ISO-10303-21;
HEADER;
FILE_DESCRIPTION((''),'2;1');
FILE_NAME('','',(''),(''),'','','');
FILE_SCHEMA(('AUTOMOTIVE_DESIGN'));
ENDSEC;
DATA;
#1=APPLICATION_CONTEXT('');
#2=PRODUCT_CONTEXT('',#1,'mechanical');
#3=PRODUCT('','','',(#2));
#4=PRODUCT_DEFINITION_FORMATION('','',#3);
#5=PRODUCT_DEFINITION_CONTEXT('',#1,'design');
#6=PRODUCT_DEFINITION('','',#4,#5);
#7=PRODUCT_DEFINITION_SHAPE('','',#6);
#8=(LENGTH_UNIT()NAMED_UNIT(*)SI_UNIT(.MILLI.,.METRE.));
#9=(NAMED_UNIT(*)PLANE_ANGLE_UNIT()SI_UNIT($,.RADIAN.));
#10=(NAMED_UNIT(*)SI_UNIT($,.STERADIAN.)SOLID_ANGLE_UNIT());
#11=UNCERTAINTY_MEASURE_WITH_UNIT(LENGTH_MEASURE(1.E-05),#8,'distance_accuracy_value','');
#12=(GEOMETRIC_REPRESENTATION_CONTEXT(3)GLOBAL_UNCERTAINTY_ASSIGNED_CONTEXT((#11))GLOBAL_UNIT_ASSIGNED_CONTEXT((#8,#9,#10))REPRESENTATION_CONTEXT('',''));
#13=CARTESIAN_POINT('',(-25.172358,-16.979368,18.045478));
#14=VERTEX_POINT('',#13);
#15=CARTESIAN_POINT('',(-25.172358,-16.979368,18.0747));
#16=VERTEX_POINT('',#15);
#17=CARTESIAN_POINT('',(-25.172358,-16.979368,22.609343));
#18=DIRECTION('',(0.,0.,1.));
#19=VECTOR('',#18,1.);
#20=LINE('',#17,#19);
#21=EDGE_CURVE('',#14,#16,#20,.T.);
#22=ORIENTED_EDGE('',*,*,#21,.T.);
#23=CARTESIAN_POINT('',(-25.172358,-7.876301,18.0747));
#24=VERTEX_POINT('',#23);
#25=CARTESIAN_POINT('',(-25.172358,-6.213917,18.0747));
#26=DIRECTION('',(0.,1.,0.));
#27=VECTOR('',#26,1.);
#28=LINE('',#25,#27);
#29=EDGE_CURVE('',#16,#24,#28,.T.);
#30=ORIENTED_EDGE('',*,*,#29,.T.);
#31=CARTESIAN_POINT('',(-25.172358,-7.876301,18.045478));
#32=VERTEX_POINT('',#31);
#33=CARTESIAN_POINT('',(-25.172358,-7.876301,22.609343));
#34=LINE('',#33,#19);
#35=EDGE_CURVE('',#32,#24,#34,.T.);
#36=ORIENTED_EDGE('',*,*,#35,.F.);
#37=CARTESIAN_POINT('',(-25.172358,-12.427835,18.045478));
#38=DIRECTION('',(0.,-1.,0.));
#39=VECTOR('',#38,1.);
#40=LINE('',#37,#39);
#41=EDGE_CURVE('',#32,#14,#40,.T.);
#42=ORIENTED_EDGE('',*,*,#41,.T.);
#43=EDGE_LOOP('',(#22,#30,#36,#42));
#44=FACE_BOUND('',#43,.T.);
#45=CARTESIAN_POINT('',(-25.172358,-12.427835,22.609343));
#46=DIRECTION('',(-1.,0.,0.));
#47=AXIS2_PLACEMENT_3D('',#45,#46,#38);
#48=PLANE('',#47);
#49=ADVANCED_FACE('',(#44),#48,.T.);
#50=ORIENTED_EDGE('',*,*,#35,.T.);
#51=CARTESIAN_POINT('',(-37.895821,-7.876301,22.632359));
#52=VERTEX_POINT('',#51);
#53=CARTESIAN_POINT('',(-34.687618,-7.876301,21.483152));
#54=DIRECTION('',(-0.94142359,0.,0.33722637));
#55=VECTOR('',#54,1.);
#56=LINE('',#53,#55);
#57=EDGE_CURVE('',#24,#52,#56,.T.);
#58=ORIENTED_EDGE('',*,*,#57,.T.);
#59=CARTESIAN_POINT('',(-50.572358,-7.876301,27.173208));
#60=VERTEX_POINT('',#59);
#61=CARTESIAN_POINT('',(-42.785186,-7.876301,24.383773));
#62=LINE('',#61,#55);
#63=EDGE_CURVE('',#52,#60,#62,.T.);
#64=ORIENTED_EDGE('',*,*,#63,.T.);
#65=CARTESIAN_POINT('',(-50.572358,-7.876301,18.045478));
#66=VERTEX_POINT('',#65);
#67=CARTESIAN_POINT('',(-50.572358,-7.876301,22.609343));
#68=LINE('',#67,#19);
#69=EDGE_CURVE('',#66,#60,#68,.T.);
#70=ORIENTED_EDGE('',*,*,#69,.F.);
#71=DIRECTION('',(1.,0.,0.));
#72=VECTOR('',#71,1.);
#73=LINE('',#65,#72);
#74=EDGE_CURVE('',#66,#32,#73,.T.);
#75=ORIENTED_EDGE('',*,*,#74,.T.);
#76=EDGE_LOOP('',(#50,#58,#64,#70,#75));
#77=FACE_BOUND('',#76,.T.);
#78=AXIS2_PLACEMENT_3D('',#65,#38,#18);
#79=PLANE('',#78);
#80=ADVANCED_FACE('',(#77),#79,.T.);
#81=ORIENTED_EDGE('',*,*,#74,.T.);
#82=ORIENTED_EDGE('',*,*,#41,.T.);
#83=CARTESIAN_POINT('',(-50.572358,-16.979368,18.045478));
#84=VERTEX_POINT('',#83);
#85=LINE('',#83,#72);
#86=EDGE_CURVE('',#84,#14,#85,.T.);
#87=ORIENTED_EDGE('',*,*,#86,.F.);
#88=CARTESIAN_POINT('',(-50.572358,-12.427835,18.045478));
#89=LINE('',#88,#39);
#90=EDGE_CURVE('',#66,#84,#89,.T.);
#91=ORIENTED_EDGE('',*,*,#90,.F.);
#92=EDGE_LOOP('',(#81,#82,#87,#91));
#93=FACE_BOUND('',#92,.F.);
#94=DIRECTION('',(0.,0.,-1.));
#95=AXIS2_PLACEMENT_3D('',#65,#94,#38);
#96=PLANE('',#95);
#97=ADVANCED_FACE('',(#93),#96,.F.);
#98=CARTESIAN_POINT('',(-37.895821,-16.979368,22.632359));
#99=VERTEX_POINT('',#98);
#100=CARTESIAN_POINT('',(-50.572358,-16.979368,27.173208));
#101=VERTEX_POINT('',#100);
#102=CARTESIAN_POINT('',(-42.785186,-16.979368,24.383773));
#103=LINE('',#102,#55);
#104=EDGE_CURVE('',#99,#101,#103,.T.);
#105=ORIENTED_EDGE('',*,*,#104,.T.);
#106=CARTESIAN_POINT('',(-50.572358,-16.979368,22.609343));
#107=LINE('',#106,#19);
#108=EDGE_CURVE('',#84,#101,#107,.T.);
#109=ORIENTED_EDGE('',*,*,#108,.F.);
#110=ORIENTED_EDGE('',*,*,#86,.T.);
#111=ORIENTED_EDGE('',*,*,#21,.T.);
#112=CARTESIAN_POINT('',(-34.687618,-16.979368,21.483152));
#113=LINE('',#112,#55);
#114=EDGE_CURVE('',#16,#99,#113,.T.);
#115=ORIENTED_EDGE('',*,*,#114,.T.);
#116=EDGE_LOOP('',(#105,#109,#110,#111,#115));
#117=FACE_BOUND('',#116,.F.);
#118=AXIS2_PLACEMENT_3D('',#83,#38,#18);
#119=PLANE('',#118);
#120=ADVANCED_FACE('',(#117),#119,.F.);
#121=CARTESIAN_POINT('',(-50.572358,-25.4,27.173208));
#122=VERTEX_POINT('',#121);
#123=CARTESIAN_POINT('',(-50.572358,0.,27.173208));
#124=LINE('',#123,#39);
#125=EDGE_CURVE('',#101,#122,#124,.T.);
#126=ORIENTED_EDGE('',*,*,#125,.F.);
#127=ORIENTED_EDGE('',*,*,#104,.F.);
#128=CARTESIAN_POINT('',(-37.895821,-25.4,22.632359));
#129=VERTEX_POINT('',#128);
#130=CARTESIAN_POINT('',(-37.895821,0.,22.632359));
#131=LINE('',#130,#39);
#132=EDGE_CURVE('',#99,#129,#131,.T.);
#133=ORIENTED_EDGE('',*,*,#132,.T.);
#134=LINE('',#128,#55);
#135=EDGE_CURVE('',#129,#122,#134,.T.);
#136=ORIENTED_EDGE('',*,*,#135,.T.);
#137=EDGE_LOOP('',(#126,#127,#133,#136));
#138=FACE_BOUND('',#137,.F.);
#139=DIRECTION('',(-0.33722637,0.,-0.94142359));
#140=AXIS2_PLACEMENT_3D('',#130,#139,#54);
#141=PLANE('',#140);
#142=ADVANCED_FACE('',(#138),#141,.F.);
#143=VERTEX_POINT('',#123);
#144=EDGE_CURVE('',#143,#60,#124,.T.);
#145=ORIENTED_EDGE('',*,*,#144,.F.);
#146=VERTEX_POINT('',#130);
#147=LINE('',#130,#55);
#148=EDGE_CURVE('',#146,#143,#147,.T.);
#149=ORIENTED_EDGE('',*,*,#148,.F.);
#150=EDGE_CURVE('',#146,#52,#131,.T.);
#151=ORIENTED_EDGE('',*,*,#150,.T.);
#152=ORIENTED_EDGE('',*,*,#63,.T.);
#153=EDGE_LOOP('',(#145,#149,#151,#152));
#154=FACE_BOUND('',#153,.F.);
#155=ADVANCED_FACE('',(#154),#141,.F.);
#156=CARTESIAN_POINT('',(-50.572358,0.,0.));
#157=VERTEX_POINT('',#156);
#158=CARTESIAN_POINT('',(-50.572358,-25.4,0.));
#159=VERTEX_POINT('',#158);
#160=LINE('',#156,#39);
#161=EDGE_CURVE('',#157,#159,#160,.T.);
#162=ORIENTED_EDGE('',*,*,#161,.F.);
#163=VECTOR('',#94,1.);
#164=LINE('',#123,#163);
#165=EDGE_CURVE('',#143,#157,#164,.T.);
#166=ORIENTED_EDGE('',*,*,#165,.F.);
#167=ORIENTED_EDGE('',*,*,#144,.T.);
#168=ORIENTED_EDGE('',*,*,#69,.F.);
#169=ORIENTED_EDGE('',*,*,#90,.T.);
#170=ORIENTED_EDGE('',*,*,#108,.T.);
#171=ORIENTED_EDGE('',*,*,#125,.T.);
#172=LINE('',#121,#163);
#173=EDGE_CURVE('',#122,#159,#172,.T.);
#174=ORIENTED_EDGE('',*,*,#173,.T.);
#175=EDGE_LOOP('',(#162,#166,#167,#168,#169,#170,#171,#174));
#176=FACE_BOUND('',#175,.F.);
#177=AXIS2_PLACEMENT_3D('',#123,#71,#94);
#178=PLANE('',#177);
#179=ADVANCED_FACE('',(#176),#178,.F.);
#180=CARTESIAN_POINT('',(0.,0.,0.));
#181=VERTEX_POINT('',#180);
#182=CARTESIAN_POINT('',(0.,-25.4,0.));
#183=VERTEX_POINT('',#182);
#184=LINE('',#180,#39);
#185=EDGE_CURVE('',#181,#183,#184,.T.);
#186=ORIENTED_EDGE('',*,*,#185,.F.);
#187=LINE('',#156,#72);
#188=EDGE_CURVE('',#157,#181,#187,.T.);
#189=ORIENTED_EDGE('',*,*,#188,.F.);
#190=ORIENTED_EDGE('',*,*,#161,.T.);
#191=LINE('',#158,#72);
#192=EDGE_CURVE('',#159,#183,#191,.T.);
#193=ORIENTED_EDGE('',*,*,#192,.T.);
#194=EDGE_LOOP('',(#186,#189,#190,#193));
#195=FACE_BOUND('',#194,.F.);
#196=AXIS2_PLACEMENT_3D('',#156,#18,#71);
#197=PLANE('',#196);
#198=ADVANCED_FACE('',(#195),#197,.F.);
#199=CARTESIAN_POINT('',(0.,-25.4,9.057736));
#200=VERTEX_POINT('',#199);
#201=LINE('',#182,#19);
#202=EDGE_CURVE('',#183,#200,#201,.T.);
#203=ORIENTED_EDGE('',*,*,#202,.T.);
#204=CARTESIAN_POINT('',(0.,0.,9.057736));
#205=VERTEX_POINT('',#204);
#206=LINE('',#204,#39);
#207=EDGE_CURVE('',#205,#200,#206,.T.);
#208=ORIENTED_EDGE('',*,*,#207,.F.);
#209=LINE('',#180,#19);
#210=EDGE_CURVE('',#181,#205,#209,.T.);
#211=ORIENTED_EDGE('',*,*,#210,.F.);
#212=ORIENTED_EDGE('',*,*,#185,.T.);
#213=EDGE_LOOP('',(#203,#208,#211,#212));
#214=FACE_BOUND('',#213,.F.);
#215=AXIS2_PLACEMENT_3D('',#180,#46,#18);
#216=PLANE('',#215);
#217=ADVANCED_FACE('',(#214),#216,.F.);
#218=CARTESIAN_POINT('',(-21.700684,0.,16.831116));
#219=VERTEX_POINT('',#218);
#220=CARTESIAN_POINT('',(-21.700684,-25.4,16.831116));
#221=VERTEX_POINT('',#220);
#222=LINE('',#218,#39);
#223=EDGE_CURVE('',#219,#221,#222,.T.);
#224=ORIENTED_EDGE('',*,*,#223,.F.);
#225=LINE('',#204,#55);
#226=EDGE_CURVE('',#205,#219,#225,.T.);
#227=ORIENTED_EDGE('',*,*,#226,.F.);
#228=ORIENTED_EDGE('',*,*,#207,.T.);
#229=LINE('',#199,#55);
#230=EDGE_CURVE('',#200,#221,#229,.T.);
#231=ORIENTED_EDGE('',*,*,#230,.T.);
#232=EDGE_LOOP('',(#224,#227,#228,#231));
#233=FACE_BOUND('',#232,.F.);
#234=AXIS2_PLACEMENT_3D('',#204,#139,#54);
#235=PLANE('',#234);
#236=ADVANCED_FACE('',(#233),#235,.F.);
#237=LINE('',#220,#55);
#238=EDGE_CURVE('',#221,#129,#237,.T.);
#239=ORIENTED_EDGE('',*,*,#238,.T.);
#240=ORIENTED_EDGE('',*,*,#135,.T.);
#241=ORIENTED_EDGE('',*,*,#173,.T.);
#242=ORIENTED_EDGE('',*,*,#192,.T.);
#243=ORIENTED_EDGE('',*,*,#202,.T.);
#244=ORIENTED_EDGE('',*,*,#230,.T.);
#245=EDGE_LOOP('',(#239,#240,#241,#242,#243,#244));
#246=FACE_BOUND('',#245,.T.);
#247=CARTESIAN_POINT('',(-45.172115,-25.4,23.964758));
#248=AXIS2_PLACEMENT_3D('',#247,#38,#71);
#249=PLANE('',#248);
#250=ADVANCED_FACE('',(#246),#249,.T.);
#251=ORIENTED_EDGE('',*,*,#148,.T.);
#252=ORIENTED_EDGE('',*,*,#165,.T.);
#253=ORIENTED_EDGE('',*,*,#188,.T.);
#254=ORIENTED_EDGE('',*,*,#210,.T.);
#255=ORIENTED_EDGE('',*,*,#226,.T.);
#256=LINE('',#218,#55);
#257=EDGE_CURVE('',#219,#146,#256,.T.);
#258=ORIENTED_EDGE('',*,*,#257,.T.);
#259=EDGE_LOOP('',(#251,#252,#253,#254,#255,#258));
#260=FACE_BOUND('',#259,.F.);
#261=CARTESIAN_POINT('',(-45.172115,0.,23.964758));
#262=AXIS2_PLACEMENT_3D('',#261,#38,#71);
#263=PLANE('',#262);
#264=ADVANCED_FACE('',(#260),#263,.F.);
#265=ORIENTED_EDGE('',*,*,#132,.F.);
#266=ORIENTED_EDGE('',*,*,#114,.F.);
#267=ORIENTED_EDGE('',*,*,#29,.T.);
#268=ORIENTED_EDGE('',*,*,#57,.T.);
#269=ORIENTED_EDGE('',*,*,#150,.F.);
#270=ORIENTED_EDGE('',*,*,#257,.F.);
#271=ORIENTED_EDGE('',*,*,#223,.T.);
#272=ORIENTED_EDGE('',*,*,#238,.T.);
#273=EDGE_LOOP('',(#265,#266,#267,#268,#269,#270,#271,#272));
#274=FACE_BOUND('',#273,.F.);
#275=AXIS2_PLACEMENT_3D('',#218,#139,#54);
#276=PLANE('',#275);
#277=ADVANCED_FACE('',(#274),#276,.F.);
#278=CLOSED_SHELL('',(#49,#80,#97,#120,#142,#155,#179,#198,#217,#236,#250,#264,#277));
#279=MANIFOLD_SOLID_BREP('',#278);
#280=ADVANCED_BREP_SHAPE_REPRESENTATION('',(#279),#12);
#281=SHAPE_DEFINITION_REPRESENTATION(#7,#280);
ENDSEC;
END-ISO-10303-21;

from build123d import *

# Parameters (mm, degrees)
F1_DEPTH = 25.4
F2_W     = 9.1030672193
F2_H     = 9.1277305037
F3_DEPTH = 25.4


with BuildPart() as f1:
    # F0 (on Front) → F1 (new body)
    with BuildSketch(Plane.XZ):
        Polygon((-37.8958209513, 22.6323588295), (-50.5723580718, 27.1732080728), (-50.5723580718, 22.6323588295), align=None)
        Polygon((-37.8958209513, 22.6323588295), (-50.5723580718, 22.6323588295), (-50.5723580718, 9.0577360243), (-21.7006838323, 9.0577360243), (-21.7006838323, 16.8311155222), align=None)
        Polygon((-21.7006838323, 9.0577360243), (-50.5723580718, 9.0577360243), (-50.5723580718, 0), (0, 0), (0, 9.0577360243), align=None)
        Polygon((0, 9.0577360243), (-21.7006838323, 16.8311155222), (-21.7006838323, 9.0577360243), align=None)
    extrude(amount=F1_DEPTH)

    # F2 (on face) → F3 (cut)
    with BuildSketch(Plane(origin=(-50.5723580718, 0, 0), x_dir=(0, -1, 0), z_dir=(-1, 0, 0))):
        with Locations((12.4278347939, 22.6093428209)):
            Rectangle(F2_W, F2_H)
    extrude(amount=-F3_DEPTH, mode=Mode.SUBTRACT)


solid = f1.part
